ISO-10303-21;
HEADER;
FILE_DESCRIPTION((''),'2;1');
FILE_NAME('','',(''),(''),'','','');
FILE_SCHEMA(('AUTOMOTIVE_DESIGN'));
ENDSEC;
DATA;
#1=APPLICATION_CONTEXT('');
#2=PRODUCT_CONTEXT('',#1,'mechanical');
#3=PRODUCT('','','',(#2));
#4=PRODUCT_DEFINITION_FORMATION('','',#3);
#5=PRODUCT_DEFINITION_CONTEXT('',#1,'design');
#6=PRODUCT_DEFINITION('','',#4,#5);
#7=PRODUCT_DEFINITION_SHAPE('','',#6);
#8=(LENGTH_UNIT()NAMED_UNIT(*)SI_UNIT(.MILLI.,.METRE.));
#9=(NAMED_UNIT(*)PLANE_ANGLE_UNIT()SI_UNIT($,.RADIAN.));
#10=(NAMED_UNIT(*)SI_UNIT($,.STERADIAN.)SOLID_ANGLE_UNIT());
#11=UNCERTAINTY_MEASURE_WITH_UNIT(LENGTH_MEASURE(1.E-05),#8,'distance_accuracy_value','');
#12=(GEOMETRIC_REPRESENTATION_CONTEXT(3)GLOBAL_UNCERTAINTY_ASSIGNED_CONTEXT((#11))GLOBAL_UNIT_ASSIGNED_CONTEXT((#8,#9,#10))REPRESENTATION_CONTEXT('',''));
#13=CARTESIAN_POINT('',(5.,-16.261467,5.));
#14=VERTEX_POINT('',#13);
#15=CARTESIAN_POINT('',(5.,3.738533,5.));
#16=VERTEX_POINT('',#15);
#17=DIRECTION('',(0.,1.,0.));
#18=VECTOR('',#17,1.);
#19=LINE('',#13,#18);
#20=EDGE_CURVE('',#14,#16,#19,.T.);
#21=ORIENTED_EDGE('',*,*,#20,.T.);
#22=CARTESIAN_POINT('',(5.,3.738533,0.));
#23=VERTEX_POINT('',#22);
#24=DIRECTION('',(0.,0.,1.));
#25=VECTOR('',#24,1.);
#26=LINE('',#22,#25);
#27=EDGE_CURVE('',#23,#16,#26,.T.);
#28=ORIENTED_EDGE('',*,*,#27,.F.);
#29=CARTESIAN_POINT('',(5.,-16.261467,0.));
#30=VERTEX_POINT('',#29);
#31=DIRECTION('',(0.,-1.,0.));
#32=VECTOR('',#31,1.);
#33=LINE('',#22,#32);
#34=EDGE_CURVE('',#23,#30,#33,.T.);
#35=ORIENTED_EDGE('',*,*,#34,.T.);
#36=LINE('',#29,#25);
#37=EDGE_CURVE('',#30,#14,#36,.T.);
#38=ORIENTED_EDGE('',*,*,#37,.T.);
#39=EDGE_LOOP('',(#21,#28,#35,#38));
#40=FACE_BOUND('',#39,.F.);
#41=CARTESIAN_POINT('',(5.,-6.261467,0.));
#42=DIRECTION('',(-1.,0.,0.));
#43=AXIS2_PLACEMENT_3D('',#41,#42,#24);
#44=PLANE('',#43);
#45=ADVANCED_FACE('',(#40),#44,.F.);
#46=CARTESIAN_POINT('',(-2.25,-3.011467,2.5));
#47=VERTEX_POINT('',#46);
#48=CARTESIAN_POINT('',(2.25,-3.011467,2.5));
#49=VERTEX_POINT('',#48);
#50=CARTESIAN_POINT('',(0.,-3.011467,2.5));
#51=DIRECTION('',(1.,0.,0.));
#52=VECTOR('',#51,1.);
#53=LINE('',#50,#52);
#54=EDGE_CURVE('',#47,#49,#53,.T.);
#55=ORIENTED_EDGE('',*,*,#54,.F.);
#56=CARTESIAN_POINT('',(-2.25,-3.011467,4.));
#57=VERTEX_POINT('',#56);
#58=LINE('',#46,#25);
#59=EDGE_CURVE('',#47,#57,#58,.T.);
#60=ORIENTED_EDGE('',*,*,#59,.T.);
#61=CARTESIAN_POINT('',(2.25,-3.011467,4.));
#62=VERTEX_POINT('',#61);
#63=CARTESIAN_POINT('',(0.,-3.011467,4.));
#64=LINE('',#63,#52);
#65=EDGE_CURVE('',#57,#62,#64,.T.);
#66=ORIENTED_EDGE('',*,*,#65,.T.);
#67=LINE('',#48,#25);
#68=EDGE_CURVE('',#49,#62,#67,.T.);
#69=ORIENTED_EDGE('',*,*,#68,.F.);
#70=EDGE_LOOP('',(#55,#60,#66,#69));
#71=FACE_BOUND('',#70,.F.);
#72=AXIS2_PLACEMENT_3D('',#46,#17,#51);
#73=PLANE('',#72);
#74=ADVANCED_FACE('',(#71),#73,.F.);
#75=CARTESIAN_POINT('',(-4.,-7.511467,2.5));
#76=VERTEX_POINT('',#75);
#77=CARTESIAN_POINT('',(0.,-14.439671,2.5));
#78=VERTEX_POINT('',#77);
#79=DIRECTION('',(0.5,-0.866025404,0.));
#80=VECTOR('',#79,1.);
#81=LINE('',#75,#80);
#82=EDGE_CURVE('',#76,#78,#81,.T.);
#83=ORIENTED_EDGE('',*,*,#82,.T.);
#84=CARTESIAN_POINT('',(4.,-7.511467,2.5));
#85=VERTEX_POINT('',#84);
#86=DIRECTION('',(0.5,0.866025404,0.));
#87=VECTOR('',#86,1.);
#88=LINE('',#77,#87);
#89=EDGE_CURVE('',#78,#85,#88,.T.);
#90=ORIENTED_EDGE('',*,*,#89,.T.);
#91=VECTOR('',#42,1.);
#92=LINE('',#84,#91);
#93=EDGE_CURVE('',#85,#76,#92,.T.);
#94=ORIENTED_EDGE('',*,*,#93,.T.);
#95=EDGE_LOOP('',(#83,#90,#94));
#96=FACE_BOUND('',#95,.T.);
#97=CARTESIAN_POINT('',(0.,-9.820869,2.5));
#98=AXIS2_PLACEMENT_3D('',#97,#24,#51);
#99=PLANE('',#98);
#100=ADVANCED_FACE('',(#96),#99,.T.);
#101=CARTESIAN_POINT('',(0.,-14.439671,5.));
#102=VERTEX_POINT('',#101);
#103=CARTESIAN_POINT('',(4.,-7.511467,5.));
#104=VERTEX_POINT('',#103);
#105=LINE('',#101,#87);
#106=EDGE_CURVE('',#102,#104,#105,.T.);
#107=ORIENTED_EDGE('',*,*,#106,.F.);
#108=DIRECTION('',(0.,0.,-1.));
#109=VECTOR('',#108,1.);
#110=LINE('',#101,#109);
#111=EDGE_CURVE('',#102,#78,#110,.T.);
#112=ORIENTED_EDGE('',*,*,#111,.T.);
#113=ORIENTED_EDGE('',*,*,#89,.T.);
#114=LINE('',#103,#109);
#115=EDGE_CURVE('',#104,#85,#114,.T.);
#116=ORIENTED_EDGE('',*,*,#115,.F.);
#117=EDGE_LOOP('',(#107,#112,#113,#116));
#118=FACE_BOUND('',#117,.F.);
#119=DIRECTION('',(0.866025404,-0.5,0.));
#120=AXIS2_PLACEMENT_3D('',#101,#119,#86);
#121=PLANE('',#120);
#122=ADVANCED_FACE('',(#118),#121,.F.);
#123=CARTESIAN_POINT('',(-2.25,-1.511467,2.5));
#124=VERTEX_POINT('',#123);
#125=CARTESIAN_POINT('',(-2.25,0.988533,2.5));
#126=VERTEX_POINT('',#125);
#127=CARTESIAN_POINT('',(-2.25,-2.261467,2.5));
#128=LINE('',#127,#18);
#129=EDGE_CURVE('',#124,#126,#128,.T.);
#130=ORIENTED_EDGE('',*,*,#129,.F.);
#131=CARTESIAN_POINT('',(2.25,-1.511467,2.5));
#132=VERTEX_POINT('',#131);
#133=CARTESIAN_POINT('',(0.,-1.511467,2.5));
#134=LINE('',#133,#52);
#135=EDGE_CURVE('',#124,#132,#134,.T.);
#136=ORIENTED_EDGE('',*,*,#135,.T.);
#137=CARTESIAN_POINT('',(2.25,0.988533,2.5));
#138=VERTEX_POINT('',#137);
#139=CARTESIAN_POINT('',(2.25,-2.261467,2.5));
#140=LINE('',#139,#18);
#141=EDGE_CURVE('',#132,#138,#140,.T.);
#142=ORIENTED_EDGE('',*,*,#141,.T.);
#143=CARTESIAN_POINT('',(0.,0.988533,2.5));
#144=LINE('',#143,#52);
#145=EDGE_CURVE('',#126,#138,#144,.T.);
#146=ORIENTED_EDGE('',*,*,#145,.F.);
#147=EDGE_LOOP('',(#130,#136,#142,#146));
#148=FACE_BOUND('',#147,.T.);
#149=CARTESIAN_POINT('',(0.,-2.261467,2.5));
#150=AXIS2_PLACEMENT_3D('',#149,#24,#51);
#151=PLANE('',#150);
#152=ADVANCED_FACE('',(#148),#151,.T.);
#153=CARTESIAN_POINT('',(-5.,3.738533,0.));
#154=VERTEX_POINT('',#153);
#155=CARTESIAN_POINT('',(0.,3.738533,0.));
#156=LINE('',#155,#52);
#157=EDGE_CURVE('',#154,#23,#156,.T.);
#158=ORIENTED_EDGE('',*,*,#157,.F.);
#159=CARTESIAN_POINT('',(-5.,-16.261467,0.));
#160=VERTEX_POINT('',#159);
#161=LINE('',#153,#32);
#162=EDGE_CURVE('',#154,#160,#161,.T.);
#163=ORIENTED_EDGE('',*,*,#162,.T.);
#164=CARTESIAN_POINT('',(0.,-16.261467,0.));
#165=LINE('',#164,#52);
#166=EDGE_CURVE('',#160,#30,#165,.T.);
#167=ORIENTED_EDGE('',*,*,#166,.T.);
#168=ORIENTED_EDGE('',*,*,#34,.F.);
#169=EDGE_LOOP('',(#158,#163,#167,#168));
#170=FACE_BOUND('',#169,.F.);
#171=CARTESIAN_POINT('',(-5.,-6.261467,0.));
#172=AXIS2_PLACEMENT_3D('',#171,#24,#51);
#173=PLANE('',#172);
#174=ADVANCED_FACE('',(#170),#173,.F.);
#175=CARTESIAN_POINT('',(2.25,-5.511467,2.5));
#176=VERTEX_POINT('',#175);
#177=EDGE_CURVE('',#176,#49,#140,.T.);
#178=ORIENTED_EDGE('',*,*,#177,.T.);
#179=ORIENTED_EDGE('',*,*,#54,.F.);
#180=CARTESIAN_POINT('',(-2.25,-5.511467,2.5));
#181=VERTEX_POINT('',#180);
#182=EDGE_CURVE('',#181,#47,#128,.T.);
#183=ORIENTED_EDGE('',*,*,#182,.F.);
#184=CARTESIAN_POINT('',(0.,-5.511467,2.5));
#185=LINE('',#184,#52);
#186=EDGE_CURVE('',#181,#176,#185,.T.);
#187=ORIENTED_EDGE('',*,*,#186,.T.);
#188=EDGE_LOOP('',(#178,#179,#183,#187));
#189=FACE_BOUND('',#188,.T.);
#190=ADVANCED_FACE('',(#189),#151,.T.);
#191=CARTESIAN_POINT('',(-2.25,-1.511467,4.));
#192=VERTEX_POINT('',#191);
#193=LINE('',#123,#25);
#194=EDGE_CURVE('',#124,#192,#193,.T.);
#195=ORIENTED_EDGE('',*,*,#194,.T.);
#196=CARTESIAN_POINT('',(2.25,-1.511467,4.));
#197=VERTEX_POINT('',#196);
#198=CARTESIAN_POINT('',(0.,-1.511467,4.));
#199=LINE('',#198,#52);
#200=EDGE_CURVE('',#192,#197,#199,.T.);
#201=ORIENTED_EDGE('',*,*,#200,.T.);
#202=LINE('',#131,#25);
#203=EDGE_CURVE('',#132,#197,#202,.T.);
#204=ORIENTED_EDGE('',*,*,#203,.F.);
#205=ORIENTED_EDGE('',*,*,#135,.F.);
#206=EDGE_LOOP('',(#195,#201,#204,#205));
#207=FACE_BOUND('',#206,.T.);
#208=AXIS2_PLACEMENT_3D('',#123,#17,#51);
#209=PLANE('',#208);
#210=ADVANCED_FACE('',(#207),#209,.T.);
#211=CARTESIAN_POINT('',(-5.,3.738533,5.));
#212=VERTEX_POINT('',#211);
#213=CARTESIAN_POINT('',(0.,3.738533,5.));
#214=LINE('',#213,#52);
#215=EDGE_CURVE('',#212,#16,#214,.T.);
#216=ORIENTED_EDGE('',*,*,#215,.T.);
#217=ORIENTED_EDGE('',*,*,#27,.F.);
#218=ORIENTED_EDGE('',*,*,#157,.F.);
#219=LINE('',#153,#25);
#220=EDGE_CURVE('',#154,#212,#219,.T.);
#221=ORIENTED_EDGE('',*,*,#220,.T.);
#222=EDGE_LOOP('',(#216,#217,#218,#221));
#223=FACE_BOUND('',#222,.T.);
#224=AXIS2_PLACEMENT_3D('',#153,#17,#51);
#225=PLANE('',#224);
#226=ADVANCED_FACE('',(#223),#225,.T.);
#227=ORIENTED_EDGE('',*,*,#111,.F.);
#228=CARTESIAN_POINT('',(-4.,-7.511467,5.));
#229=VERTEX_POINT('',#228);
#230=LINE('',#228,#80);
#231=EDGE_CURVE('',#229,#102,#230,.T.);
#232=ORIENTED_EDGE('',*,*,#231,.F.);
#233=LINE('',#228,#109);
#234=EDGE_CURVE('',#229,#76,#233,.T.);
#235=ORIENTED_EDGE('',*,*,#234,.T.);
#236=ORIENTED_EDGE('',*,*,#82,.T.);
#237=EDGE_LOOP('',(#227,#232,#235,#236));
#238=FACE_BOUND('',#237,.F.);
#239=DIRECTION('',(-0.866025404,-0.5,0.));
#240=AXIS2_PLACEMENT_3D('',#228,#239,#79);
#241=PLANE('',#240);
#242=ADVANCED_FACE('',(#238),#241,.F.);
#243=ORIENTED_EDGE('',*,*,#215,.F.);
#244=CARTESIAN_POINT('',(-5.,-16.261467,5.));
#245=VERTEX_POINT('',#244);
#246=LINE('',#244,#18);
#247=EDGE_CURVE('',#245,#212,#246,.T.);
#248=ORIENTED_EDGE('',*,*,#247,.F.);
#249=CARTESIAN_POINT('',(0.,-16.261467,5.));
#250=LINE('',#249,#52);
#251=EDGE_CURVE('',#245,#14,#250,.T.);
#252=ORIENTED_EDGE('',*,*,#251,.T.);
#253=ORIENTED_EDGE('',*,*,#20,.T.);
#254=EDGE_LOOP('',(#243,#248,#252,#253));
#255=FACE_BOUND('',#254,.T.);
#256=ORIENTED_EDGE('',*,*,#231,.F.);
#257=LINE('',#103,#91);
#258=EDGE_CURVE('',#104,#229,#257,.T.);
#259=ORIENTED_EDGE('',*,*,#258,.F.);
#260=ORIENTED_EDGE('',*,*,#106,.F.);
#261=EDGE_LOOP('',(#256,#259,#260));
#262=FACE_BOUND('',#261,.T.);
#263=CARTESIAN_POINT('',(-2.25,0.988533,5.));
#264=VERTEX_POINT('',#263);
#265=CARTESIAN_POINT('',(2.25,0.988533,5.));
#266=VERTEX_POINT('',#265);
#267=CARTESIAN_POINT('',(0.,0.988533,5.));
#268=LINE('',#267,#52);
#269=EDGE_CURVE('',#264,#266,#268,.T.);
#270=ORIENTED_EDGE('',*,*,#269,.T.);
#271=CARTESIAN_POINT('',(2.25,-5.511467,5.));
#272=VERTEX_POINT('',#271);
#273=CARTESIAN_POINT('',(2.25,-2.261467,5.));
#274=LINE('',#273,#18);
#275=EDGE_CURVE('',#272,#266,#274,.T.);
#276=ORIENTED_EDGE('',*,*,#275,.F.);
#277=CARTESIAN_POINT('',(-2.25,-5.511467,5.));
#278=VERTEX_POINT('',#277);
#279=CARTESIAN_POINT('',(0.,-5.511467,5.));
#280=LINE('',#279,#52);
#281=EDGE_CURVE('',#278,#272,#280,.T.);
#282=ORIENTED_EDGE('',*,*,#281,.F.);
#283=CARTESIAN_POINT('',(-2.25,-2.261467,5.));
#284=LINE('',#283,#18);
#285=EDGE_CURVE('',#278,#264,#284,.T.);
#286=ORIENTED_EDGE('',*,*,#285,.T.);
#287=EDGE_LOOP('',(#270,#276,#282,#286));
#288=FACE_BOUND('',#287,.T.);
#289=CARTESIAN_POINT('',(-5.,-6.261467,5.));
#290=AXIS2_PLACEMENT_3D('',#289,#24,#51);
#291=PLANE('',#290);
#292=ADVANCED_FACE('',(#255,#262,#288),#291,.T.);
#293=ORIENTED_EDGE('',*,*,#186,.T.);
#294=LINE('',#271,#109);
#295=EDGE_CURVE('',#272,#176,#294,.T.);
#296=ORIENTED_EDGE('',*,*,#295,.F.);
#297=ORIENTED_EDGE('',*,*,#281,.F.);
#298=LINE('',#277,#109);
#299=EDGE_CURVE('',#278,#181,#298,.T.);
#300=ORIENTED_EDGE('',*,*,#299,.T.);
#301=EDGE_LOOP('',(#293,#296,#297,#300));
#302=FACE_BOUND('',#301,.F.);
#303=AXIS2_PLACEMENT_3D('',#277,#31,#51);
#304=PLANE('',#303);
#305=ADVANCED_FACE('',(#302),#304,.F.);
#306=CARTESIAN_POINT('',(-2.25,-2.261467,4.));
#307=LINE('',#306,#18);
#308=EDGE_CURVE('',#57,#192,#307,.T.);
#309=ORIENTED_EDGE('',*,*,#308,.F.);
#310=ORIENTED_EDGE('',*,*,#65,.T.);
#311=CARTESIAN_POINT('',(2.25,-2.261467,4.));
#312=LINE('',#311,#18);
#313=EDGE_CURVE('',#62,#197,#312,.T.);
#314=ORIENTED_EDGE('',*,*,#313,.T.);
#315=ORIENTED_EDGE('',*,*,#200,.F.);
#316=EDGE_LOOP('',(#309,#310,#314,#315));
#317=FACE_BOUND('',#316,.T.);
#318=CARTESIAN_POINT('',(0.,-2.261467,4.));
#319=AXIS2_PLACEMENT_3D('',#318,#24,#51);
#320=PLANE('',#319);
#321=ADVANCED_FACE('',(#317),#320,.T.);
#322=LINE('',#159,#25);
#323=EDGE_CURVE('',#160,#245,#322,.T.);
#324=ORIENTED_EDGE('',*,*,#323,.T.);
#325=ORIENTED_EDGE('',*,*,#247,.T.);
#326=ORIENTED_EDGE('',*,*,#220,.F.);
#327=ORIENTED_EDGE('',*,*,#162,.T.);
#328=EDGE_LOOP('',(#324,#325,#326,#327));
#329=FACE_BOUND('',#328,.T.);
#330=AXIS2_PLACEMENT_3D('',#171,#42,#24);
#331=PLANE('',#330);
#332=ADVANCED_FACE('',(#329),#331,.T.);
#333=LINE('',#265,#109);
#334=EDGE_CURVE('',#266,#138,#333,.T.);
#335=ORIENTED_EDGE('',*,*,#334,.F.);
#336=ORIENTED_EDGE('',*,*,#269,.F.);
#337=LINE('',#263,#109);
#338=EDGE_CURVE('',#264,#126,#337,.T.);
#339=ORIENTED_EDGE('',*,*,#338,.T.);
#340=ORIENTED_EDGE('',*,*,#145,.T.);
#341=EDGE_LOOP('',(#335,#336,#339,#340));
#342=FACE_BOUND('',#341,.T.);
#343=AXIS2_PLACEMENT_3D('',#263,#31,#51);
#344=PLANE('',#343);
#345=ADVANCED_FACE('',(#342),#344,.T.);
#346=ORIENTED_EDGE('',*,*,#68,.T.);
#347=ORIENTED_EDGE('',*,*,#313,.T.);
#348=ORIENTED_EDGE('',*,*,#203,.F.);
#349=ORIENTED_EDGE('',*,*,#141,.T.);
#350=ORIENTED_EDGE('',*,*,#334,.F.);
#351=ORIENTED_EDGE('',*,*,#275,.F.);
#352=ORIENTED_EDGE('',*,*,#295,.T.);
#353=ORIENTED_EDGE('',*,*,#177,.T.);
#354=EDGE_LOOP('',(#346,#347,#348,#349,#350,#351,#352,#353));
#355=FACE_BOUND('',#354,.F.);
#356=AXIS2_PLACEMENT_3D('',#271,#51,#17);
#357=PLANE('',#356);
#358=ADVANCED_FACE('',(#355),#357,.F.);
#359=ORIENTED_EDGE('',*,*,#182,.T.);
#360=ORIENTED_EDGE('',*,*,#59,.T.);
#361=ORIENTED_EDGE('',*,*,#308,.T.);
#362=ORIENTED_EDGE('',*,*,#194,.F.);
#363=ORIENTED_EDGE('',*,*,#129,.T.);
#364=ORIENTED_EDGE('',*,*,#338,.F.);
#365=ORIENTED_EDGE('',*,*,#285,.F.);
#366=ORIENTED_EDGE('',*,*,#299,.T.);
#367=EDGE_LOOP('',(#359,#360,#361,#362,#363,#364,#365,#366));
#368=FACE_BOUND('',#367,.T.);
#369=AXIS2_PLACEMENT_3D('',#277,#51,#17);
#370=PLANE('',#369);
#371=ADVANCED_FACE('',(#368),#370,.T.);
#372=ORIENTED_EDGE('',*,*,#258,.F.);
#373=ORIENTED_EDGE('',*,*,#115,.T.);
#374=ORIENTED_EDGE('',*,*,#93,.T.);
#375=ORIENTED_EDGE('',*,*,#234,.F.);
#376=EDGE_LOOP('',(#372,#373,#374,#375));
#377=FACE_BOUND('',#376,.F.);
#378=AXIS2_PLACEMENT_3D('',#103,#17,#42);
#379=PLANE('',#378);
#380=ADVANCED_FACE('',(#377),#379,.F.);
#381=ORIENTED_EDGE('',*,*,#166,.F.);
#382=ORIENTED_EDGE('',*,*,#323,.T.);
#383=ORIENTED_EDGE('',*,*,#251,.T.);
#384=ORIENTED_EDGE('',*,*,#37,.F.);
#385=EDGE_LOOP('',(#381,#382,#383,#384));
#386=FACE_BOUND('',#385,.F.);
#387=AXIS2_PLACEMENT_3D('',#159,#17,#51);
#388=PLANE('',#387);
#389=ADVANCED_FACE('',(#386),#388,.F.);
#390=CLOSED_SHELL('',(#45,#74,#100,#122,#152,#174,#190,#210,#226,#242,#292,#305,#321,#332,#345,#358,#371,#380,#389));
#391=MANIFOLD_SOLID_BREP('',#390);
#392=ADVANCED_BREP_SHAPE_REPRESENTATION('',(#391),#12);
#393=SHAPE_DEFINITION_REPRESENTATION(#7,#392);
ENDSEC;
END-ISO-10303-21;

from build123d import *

# Parameters (mm, degrees)
F0_W     = 10
F0_H     = 10
F1_DEPTH = 5
F3_DEPTH = 10
F2_W     = 4.5
F2_H     = 6.5
F4_DEPTH = 2.5
F6_DEPTH = 2.5
F7_W     = 4.5
F7_H     = 1.5
F8_DEPTH = 1.5


with BuildPart() as f1:
    # F0 (on Top) → F1 (new body)
    with BuildSketch(Plane.XY):
        with Locations((0, -1.2614674985)):
            Rectangle(F0_W, F0_H)
    extrude(amount=F1_DEPTH)

    # F3 (add): a face of the model
    f3_faces = [f1.faces().sort_by_distance(p)[0] for p in [
        (0, -6.2614674985, 2.5),
    ]]
    extrude(f3_faces, amount=F3_DEPTH)

    # F2 (on face) → F4 (cut)
    with BuildSketch(Plane.XY.offset(5)):
        with Locations((0, -2.2614674985)):
            Rectangle(F2_W, F2_H)
    extrude(amount=-F4_DEPTH, mode=Mode.SUBTRACT)

    # F5 (on face) → F6 (cut)
    with BuildSketch(Plane.XY.offset(5)):
        Polygon((-4, -7.5114674985), (0, -14.4396707288), (4, -7.5114674985), align=None)
    extrude(amount=-F6_DEPTH, mode=Mode.SUBTRACT)

    # F7 (on face) → F8 (join)
    with BuildSketch(Plane.XY.offset(2.5)):
        with Locations((0, -2.2614674985)):
            Rectangle(F7_W, F7_H)
    extrude(amount=F8_DEPTH)


solid = f1.part
